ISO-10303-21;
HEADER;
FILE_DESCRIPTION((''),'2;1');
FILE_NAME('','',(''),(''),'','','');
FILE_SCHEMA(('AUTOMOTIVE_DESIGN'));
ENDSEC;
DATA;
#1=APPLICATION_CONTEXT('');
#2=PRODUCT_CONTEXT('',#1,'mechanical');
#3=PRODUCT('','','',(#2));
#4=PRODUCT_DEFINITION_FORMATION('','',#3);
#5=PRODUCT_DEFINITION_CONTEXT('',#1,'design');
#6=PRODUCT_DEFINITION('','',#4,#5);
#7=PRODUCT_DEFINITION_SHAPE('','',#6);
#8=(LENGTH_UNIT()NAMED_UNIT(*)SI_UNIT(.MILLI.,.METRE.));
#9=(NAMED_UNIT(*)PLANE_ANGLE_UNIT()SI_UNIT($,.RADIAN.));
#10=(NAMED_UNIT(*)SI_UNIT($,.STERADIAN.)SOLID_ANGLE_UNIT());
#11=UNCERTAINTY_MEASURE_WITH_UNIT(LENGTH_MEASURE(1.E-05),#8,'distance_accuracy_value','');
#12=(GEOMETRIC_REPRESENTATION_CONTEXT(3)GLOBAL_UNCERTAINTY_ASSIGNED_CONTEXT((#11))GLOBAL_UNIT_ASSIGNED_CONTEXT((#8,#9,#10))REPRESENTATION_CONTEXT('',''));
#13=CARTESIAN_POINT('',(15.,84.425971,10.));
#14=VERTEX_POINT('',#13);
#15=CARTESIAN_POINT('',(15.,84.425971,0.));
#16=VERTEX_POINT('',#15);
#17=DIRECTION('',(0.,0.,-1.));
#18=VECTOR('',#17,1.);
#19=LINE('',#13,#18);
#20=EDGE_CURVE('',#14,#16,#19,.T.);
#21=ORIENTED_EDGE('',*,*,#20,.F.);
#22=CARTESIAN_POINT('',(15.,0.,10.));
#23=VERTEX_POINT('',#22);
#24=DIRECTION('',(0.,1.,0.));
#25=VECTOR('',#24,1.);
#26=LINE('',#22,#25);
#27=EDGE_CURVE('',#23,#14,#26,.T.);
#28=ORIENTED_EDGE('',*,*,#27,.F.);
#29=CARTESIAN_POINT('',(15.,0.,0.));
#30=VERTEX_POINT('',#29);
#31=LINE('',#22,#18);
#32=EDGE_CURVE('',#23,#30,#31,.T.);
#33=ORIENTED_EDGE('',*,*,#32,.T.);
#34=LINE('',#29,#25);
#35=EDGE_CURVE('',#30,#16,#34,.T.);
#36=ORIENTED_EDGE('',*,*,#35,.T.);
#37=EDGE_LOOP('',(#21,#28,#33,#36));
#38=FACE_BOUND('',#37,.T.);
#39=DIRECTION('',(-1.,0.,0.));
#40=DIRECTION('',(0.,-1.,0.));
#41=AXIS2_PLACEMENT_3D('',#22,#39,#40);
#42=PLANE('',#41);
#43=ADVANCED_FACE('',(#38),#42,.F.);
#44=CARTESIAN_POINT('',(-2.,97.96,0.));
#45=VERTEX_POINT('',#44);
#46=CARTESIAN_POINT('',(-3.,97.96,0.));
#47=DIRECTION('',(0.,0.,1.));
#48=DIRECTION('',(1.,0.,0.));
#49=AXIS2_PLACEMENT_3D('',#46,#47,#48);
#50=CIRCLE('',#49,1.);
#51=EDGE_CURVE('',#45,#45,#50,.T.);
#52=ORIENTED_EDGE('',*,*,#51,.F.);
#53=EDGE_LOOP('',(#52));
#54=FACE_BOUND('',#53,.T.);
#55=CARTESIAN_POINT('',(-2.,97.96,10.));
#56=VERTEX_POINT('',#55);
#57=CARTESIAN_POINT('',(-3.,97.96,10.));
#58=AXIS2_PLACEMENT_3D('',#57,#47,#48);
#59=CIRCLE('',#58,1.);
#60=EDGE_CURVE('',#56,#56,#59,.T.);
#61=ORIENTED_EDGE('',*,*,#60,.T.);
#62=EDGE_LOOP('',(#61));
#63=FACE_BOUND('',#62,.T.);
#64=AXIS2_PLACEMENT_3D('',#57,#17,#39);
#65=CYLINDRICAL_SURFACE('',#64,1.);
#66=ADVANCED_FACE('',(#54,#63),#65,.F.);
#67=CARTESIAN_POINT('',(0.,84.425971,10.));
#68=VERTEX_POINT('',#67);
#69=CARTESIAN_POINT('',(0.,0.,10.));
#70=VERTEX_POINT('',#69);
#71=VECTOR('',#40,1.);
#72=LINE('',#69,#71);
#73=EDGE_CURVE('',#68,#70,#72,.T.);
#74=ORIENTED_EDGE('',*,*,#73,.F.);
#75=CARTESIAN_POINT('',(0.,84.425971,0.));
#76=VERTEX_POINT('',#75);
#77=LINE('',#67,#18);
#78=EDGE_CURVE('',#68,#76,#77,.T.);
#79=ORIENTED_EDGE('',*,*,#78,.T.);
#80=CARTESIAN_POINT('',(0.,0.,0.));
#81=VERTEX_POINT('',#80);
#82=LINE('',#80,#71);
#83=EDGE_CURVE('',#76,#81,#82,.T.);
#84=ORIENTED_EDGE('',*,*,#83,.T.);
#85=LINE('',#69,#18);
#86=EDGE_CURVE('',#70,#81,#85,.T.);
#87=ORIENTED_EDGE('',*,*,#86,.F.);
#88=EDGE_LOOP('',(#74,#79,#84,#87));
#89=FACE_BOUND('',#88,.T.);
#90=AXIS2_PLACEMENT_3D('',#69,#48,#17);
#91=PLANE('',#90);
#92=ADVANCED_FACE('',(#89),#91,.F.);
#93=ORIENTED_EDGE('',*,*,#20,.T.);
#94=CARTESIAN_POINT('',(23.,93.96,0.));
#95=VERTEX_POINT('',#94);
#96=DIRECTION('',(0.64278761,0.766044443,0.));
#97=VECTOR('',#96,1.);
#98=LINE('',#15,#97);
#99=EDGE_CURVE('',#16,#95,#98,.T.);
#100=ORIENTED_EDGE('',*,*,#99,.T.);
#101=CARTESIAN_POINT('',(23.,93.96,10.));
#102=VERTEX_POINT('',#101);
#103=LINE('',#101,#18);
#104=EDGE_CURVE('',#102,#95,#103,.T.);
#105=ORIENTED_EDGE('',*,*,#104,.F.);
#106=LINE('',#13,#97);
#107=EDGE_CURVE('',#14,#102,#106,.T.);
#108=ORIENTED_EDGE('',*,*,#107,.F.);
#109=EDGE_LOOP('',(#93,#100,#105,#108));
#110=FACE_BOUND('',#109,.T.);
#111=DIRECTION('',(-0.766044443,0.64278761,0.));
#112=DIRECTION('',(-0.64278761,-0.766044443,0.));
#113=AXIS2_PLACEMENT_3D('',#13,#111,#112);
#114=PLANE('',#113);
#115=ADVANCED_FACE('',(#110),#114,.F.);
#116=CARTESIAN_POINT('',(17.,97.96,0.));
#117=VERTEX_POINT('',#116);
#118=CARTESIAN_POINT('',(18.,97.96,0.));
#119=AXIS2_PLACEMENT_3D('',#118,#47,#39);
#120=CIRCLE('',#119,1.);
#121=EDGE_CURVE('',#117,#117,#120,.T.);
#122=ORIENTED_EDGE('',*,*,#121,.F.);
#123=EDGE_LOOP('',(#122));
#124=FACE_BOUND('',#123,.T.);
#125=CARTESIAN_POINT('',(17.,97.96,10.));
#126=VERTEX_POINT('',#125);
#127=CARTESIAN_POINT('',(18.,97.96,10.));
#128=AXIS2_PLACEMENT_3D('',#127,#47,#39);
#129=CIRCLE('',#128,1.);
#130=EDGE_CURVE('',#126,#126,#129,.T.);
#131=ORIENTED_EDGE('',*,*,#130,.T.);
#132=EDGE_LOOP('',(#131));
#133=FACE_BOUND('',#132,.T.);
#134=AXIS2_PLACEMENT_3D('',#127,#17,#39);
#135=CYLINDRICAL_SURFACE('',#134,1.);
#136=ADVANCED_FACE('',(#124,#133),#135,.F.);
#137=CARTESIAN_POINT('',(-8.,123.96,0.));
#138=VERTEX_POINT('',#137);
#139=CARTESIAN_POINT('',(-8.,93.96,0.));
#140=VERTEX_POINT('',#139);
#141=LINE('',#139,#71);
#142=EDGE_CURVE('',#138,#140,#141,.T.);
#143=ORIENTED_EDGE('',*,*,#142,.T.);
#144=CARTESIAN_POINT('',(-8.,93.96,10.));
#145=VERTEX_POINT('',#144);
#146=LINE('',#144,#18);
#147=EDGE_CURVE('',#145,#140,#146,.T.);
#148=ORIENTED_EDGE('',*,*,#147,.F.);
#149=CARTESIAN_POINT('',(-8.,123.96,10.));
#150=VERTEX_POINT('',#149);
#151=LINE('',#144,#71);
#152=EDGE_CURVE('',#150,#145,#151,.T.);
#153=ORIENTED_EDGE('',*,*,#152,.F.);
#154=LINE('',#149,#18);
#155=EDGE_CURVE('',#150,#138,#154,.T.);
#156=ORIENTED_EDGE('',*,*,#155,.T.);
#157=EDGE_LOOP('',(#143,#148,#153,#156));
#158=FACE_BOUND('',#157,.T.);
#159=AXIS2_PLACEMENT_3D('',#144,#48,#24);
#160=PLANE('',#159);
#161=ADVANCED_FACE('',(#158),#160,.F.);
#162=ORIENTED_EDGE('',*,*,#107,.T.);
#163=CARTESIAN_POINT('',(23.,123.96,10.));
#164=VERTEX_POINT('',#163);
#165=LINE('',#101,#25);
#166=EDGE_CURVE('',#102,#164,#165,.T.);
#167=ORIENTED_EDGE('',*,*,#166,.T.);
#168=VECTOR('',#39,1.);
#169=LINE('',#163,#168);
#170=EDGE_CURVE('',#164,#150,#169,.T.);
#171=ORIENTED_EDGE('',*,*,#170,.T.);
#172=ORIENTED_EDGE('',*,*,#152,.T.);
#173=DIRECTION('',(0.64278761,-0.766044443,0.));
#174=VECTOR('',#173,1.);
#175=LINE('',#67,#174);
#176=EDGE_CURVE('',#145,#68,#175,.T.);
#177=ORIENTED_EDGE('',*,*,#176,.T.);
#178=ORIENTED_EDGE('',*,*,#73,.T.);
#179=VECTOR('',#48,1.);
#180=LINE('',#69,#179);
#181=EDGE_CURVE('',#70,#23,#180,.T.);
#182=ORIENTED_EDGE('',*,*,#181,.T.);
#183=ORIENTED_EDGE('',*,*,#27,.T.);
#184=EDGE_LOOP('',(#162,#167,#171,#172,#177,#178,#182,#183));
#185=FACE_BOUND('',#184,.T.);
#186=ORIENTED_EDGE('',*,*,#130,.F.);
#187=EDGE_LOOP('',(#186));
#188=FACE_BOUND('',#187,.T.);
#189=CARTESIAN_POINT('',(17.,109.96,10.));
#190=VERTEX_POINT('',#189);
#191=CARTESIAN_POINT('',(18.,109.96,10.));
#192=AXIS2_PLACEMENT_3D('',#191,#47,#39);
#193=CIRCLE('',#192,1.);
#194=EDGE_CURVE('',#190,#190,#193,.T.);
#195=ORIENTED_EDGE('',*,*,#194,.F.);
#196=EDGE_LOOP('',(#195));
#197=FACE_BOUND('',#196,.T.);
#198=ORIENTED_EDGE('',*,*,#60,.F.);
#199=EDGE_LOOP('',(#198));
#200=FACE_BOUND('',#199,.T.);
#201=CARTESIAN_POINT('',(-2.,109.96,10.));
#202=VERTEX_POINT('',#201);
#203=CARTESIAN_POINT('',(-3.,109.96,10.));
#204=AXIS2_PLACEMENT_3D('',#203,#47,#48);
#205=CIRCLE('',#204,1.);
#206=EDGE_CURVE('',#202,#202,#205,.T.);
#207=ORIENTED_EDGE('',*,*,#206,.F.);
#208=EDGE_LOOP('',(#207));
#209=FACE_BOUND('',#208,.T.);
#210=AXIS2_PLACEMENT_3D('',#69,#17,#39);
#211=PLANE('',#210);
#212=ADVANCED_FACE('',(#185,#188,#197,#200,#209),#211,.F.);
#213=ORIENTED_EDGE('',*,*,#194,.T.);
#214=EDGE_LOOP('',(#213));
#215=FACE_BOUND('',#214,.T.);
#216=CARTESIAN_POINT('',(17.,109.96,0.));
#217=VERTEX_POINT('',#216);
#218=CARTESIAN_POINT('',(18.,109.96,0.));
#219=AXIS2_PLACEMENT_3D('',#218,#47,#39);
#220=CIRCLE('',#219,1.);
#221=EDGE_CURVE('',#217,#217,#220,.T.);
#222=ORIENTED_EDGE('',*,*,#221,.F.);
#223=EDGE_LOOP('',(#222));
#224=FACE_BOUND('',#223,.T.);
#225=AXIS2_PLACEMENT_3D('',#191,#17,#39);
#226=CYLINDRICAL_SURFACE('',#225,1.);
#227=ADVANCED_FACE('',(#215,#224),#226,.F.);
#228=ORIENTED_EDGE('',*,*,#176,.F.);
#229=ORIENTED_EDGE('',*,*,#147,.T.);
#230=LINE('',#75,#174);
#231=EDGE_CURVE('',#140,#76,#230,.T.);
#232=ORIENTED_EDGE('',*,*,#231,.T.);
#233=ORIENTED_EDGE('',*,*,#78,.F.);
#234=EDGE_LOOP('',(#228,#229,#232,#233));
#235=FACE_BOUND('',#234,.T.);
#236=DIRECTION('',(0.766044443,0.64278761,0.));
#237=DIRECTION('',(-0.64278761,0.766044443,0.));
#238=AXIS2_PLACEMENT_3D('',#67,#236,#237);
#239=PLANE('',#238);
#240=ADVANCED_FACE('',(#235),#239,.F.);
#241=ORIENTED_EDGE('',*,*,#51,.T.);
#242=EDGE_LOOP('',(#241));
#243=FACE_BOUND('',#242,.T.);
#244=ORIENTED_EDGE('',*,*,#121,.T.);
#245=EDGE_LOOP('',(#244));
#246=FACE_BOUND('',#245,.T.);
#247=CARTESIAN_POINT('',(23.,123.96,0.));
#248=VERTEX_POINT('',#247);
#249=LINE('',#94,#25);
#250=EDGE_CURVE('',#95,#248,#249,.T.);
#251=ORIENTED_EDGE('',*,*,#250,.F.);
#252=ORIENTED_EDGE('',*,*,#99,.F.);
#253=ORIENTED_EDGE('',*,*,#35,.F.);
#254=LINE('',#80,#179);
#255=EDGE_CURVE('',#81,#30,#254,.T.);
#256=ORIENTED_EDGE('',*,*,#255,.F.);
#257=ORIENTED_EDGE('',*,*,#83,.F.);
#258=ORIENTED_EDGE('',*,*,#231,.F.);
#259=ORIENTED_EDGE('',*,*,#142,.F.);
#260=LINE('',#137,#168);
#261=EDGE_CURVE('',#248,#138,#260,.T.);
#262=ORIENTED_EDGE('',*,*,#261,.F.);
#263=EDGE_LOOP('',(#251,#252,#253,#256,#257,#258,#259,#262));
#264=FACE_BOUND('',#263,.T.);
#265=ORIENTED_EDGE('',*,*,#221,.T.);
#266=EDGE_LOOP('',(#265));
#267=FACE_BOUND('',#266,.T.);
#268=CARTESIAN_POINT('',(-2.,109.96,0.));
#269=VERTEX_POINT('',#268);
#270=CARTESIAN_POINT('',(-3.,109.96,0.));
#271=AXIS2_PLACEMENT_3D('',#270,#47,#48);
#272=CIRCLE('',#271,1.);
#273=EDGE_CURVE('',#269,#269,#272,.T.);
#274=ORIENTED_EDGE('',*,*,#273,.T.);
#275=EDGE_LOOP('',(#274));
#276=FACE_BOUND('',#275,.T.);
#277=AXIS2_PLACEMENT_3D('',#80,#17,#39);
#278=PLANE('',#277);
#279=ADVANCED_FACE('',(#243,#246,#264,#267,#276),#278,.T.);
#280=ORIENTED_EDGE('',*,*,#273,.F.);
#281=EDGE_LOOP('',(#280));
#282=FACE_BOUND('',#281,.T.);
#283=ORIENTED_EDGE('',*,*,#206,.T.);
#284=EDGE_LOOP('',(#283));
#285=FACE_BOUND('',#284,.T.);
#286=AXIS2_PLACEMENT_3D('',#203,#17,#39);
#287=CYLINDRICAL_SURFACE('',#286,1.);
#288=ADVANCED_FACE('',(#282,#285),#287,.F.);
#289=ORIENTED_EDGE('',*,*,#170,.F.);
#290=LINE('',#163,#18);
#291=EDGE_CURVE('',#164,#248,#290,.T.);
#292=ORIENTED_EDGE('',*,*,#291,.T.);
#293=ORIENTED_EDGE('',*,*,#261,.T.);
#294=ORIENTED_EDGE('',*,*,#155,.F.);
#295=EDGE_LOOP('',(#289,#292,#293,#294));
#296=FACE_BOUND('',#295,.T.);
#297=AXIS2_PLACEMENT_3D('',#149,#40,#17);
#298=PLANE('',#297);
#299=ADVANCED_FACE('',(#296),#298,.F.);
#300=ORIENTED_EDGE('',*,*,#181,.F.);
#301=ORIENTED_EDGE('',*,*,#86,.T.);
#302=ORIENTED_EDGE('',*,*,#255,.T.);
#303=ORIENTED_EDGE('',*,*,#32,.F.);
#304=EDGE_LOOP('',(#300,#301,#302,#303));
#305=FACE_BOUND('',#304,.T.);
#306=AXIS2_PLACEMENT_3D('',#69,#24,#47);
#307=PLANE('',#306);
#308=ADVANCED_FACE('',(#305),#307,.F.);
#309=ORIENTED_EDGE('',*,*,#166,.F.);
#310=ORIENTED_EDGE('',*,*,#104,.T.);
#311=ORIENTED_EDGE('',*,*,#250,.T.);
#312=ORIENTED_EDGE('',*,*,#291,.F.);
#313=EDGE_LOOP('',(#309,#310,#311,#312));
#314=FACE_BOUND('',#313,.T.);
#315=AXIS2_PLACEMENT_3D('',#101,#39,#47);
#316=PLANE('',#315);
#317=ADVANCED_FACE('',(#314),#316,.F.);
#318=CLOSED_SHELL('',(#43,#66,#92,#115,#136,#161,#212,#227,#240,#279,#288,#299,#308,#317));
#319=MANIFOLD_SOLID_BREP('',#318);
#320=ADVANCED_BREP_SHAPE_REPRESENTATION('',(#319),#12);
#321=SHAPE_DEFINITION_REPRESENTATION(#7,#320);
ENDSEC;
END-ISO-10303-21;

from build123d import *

# Parameters (mm, degrees)
SKETCH1_R           = 1
BOSS_EXTRUDE1_DEPTH = 10


with BuildPart() as part:
    # Sketch1 → Boss-Extrude1 (new body)
    with BuildSketch(Plane.XY):
        Polygon((15, 84.425971259), (23, 93.96), (23, 123.96), (15, 123.96), (0, 123.96), (-8, 123.96), (-8, 93.96), (0, 84.425971259), (0, 0), (15, 0), align=None)
        with Locations((-3, 109.96)):
            Circle(SKETCH1_R, mode=Mode.SUBTRACT)
        with Locations((-3, 97.96)):
            Circle(SKETCH1_R, mode=Mode.SUBTRACT)
        with Locations((18, 97.96)):
            Circle(SKETCH1_R, mode=Mode.SUBTRACT)
        with Locations((18, 109.96)):
            Circle(SKETCH1_R, mode=Mode.SUBTRACT)
    extrude(amount=BOSS_EXTRUDE1_DEPTH)


solid = part.part
